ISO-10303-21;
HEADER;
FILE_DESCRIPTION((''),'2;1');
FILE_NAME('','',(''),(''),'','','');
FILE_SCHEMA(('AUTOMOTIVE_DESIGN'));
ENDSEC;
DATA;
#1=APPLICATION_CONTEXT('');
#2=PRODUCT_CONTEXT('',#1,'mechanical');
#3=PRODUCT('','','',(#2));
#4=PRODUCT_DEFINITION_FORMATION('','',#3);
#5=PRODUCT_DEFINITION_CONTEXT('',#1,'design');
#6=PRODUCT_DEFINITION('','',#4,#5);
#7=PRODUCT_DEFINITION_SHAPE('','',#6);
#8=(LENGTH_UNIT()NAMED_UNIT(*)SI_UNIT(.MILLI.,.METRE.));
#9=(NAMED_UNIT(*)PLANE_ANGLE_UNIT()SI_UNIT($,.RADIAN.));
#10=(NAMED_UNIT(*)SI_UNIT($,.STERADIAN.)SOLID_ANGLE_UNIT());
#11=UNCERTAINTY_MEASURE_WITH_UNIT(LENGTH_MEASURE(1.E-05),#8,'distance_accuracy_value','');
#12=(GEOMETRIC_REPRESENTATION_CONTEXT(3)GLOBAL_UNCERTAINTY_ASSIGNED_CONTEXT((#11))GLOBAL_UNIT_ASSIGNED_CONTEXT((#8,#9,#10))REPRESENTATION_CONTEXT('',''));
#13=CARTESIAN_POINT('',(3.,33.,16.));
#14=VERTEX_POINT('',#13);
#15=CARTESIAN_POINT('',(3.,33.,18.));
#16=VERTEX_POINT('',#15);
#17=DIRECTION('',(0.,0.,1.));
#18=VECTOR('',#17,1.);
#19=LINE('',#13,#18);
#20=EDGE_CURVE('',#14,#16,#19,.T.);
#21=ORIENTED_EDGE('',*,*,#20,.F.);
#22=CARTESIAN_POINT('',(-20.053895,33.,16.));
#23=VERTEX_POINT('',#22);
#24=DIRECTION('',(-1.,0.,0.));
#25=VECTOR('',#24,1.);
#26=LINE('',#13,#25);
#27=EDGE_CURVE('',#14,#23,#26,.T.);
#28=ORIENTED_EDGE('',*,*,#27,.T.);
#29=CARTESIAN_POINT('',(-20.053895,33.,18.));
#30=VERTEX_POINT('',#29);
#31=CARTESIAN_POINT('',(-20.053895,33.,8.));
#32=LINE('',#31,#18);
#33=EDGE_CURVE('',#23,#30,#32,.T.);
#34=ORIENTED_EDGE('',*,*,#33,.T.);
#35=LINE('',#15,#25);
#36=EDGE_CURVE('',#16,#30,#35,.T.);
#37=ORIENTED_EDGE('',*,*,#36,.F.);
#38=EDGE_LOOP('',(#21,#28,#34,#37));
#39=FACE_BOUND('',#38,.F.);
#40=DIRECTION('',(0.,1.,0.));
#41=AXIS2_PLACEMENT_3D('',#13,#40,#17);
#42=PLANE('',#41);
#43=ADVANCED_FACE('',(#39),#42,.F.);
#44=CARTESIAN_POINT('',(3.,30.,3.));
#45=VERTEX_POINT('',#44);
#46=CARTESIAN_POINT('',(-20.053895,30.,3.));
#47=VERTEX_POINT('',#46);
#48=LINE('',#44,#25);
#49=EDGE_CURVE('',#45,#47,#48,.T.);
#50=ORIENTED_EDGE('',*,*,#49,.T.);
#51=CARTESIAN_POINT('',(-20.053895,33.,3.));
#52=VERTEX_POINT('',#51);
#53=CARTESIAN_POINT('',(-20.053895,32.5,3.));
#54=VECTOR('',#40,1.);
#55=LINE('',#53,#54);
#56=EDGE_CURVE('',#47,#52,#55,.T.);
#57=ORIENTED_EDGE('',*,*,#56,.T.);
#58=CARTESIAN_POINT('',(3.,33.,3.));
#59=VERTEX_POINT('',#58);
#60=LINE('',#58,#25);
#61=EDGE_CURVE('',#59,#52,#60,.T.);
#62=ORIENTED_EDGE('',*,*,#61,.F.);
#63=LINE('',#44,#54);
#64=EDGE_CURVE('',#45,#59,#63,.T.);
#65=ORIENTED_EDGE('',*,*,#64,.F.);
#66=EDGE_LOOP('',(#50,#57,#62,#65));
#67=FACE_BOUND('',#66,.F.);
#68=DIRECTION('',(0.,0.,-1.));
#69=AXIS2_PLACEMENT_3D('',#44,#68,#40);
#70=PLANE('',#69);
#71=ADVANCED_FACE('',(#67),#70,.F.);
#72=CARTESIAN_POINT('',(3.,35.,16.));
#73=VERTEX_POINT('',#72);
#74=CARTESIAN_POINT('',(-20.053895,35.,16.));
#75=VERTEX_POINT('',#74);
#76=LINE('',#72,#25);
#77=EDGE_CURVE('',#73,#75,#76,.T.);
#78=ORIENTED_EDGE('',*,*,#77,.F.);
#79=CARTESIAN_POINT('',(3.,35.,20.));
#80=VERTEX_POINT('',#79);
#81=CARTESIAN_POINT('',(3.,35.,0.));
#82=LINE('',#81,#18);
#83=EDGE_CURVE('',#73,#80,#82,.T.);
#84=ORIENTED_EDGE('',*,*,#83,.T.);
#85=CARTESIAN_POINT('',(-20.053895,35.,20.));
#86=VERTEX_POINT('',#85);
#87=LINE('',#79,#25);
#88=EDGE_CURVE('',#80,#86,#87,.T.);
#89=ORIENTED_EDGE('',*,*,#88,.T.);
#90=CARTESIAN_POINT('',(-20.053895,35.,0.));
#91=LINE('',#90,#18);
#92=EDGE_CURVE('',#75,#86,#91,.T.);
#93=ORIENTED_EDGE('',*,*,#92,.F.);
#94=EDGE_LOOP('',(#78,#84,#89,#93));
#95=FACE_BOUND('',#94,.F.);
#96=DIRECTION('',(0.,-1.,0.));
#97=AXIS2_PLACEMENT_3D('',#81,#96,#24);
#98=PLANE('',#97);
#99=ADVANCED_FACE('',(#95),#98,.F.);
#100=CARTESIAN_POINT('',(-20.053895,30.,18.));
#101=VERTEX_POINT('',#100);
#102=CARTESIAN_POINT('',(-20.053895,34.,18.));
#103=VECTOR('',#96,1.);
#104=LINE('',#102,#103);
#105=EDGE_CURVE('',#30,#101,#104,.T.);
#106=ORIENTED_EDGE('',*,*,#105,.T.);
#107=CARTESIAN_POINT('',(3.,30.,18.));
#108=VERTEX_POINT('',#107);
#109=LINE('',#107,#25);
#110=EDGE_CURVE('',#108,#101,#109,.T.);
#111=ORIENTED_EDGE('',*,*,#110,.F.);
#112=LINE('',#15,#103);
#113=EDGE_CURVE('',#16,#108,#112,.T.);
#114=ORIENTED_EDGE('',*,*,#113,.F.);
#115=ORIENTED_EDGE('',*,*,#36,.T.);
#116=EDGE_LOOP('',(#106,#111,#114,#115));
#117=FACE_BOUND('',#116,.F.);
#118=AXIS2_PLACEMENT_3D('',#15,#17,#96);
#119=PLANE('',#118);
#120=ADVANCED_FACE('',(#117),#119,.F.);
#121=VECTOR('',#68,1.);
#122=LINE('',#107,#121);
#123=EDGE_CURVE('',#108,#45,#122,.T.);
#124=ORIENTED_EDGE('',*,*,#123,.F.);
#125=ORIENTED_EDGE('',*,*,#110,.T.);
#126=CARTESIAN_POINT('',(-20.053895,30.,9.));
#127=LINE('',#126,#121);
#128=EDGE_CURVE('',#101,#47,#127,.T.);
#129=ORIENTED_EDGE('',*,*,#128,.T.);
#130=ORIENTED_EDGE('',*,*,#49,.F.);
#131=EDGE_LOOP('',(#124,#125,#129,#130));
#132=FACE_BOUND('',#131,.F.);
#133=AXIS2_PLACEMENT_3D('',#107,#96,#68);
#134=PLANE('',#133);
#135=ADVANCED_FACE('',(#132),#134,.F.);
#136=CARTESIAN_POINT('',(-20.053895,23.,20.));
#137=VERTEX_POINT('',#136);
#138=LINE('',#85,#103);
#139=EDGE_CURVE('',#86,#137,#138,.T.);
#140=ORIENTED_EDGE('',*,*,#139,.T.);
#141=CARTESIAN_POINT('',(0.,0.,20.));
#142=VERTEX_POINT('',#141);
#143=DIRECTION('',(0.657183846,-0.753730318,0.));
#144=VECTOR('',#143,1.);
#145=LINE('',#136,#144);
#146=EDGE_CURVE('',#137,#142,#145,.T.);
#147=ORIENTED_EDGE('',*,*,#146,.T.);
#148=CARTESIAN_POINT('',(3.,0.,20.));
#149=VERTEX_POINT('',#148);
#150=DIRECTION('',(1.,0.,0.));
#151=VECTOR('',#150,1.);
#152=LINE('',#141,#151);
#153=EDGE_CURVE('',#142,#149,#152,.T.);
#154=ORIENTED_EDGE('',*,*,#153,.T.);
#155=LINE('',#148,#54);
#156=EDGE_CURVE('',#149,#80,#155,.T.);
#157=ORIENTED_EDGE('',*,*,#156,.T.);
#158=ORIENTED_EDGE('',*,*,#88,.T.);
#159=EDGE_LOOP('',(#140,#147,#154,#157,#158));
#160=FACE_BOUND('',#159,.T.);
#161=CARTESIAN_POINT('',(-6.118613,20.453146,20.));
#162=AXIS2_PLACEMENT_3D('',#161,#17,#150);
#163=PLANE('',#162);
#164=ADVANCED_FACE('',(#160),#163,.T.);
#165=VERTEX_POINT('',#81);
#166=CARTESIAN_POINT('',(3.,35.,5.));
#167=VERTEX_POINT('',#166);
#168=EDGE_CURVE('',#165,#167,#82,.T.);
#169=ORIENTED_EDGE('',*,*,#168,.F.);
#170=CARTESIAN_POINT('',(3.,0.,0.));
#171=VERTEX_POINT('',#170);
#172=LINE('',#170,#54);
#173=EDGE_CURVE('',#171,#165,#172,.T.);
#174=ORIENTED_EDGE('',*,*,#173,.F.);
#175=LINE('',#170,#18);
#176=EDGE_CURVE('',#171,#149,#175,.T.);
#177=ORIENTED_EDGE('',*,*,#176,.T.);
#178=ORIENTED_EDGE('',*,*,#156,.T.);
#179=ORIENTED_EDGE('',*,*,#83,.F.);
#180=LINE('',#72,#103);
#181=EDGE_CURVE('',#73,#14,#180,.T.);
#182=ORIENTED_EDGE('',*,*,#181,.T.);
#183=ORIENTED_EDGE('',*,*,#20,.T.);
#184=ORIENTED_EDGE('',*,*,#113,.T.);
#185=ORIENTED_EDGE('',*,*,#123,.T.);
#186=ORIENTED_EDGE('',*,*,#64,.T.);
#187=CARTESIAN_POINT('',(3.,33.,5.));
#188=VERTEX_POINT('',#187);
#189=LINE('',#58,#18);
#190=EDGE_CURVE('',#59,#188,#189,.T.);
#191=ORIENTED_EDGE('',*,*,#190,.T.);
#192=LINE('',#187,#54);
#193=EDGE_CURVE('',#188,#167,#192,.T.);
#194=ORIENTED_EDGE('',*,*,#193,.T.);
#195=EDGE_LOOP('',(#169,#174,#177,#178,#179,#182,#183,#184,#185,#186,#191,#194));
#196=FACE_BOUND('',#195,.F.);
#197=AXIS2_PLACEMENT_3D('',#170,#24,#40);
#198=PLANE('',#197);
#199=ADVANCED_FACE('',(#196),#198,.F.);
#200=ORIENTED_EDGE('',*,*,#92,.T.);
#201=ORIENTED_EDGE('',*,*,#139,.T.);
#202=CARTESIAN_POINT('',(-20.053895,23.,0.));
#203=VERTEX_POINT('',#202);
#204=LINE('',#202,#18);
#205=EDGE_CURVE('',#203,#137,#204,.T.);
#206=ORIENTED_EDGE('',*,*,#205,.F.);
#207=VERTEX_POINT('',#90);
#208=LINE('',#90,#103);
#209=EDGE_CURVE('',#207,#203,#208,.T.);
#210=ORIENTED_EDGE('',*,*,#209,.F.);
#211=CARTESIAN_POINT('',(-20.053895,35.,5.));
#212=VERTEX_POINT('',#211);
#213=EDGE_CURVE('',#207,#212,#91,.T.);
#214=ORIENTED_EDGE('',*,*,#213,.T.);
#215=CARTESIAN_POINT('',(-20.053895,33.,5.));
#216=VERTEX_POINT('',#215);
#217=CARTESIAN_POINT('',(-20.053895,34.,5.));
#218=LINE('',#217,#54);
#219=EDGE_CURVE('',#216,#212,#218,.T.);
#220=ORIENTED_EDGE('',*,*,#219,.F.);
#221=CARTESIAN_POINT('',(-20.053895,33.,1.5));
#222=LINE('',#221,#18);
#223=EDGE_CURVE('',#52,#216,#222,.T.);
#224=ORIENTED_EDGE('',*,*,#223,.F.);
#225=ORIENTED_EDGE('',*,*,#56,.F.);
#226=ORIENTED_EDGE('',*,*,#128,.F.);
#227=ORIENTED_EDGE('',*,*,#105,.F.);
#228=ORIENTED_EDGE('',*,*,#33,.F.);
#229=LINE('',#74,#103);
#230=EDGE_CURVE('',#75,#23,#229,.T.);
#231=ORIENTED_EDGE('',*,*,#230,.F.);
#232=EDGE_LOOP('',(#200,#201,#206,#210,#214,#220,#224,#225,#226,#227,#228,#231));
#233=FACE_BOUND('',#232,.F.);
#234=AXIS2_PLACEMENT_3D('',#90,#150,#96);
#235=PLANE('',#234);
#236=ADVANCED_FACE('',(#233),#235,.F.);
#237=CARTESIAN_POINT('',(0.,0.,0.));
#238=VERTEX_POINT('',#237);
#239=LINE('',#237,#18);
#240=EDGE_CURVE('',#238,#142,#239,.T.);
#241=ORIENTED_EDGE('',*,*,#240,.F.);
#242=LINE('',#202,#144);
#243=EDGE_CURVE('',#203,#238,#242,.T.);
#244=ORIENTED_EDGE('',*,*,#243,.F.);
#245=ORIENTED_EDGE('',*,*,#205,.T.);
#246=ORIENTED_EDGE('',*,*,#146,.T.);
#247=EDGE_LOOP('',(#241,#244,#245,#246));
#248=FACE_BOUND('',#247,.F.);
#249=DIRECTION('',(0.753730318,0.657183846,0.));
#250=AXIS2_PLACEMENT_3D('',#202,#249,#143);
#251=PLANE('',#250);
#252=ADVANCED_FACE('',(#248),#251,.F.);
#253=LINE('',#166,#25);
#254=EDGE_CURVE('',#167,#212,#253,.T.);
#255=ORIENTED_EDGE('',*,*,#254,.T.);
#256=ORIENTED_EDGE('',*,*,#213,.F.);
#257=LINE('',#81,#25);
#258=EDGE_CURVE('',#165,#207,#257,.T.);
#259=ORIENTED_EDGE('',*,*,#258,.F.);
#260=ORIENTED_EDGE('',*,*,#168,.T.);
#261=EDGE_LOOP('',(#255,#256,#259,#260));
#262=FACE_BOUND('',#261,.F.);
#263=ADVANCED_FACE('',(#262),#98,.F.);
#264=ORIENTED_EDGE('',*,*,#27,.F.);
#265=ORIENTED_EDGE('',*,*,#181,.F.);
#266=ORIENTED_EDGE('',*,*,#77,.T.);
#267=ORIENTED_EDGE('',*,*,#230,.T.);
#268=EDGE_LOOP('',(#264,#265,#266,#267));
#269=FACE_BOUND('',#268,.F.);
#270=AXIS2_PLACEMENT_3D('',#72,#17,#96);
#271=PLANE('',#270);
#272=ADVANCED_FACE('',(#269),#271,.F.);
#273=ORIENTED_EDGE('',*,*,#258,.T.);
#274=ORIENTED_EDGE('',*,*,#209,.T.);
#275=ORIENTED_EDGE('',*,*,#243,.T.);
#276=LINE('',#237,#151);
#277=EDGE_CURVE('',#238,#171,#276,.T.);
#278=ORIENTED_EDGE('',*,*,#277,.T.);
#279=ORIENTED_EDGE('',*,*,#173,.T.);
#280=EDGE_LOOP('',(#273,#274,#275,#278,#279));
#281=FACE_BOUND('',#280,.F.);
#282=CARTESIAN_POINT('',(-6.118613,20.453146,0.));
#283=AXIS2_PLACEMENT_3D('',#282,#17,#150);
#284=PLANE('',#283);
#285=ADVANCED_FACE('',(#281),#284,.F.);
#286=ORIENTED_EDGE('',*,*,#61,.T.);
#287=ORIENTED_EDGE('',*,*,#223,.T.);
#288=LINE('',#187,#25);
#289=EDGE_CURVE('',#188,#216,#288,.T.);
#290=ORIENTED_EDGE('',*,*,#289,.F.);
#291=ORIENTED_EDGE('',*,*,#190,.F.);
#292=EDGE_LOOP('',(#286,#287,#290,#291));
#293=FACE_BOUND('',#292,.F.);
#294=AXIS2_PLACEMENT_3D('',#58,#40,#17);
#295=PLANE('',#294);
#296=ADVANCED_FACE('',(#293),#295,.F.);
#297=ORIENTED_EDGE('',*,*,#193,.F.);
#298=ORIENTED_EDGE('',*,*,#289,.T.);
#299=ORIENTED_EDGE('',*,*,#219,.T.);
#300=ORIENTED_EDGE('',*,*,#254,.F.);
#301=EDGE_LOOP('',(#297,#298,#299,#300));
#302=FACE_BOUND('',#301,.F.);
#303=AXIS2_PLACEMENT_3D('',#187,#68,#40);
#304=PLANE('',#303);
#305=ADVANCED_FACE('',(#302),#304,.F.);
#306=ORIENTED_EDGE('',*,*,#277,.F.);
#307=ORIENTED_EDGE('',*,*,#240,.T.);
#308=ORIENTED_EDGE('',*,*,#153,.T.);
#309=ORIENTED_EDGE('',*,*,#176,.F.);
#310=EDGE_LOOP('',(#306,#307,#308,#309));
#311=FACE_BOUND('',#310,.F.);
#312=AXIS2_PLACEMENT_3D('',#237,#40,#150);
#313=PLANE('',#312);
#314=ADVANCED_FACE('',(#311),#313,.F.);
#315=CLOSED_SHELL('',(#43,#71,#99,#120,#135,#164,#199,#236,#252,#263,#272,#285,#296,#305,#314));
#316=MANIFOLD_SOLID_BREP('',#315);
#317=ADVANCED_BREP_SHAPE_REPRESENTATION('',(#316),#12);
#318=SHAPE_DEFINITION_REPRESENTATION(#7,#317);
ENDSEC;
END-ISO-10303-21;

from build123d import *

# Parameters (mm, degrees)
BOSS_EXTRUDE1_DEPTH = 20
CUT_EXTRUDE1_DEPTH  = 24.053894737


with BuildPart() as part:
    # Sketch1 → Boss-Extrude1 (new body)
    with BuildSketch(Plane.XY):
        Polygon((-20.053894737, 23), (0, 0), (3, 0), (3, 35), (-20.053894737, 35), align=None)
    extrude(amount=BOSS_EXTRUDE1_DEPTH)

    # Sketch2 → Cut-Extrude1 (cut, through all)
    with BuildSketch(Plane(origin=(3, 0, 0), x_dir=(0, 0, -1), z_dir=(1, 0, 0))):
        Polygon((-5, 33), (-5, 35), (-16, 35), (-16, 33), (-18, 33), (-18, 30), (-3, 30), (-3, 33), align=None)
    extrude(amount=-CUT_EXTRUDE1_DEPTH, mode=Mode.SUBTRACT)


solid = part.part
